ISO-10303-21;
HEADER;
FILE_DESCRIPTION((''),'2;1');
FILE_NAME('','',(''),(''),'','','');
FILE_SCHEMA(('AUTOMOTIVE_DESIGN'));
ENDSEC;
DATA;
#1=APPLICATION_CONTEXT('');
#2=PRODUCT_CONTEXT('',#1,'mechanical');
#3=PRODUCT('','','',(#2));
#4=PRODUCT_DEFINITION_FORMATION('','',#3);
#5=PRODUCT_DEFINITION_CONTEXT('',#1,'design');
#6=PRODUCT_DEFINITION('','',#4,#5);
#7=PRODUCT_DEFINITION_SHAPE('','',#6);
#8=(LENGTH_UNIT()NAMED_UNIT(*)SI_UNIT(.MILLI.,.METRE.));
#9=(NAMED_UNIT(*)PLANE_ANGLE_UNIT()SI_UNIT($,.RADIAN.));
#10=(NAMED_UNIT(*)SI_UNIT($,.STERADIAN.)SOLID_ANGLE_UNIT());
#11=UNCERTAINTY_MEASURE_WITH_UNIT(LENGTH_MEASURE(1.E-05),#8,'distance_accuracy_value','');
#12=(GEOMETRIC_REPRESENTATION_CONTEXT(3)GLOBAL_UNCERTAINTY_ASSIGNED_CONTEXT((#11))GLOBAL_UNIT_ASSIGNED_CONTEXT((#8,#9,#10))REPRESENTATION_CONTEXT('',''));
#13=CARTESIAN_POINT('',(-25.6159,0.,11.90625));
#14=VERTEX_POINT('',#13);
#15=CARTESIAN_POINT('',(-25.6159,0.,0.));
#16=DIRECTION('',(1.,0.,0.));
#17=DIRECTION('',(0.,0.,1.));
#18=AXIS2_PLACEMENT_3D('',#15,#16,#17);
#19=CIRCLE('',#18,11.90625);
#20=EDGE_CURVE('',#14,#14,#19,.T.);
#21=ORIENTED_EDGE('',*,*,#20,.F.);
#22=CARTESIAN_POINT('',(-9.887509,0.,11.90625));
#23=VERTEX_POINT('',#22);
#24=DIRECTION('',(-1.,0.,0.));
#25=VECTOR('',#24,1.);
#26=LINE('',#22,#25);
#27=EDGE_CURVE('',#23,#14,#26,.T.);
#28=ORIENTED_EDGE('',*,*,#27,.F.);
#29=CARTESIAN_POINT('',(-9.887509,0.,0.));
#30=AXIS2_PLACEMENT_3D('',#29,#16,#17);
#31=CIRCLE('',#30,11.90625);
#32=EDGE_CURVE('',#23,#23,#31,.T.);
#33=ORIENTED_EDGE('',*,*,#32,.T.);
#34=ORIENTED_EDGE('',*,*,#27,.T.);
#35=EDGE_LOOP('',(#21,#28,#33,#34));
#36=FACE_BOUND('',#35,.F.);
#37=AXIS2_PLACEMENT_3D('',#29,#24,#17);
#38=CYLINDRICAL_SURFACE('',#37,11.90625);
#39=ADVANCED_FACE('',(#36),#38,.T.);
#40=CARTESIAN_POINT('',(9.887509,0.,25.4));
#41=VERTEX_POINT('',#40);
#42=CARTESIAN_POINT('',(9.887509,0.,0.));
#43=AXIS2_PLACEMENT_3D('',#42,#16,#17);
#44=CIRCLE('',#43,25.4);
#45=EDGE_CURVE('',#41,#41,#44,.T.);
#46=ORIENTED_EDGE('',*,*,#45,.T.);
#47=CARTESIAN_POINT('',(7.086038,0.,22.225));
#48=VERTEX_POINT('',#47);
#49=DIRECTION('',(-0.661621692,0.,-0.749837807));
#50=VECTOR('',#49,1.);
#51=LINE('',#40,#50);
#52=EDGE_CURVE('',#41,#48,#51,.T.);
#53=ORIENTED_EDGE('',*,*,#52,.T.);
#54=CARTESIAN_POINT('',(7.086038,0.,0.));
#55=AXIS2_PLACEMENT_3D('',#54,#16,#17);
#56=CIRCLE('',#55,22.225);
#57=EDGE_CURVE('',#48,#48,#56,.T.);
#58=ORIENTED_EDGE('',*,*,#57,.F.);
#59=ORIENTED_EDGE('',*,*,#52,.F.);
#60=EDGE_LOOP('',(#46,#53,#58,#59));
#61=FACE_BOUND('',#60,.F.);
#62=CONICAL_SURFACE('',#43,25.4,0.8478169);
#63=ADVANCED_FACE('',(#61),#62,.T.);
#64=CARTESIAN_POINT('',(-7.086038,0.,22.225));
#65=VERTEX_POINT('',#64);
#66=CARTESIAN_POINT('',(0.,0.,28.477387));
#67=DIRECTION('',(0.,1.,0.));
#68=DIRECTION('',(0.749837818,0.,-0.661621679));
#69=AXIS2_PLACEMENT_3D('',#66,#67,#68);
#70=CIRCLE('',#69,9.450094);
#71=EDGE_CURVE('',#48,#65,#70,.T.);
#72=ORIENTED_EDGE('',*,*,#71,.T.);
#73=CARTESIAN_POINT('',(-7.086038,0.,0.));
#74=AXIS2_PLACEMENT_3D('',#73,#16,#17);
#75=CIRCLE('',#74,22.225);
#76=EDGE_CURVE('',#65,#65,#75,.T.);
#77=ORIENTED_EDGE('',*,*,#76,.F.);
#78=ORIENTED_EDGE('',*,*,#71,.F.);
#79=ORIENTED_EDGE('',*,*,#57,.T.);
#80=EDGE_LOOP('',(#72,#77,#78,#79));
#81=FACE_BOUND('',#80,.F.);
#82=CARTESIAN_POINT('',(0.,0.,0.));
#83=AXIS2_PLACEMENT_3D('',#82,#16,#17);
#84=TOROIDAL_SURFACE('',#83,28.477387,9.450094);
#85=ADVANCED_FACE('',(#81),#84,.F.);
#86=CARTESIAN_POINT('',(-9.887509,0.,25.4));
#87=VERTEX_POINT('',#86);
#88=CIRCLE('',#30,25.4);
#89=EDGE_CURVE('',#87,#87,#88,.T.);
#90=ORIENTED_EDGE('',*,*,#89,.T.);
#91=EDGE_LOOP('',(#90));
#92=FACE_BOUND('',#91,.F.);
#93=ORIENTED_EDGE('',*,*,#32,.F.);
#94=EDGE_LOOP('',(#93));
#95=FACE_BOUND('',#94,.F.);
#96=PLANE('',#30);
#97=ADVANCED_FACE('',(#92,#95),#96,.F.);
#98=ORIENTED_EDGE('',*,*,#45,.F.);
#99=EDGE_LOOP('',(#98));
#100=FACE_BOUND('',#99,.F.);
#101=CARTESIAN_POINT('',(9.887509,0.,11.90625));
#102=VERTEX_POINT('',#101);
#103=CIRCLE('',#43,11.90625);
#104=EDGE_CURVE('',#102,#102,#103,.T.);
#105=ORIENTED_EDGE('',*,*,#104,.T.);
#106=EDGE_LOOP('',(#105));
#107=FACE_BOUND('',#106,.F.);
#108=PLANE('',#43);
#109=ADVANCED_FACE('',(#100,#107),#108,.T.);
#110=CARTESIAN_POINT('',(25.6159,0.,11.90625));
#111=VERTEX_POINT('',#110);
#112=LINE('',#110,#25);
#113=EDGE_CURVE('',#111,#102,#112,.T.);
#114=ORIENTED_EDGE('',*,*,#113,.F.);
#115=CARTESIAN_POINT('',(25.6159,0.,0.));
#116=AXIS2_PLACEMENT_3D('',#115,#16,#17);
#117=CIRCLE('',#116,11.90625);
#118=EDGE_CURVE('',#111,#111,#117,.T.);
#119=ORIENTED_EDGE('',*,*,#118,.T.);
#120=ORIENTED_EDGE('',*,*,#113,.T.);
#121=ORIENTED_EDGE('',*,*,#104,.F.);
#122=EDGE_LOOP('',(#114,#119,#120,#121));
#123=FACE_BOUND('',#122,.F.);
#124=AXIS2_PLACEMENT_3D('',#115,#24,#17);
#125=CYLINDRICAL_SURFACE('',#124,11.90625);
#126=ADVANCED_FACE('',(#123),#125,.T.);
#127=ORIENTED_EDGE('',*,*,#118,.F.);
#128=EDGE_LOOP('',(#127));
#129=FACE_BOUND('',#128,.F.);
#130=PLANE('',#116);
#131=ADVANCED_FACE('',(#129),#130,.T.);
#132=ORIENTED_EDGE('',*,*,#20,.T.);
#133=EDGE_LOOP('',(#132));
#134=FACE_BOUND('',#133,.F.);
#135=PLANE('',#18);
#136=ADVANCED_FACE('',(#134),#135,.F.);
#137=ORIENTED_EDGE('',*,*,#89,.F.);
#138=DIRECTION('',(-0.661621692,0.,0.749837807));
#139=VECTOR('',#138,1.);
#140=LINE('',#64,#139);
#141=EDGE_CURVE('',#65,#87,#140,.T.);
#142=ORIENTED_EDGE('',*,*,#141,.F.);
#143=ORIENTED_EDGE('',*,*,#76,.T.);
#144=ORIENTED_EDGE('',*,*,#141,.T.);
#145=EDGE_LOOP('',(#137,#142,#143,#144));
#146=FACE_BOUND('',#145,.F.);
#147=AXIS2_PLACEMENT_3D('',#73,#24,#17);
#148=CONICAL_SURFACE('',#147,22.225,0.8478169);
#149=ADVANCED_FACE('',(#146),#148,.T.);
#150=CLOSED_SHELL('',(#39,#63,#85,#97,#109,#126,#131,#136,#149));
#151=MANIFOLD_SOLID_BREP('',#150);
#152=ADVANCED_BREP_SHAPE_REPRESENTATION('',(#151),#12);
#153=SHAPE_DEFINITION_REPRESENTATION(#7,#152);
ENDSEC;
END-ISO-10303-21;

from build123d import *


with BuildPart() as f1:
    # F0 (on Front) → F1 (revolve)
    with BuildSketch(Plane.XZ):
        with BuildLine():
            Line((25.6159, 0), (25.6159, 11.90625))
            Line((25.6159, 11.90625), (9.887509, 11.90625))
            Line((9.887509, 11.90625), (9.887509, 25.4))
            Line((9.887509, 25.4), (7.086038, 22.225))
            ThreePointArc((7.086038, 22.225), (0, 19.027293), (-7.086038, 22.225))
            Line((-7.086038, 22.225), (-9.887509, 25.4))
            Line((-9.887509, 25.4), (-9.887509, 11.90625))
            Line((-9.887509, 11.90625), (-25.6159, 11.90625))
            Line((-25.6159, 11.90625), (-25.6159, 0))
            Line((-25.6159, 0), (25.6159, 0))
        make_face()
    revolve(axis=Axis((0, 0, 0), (1, 0, 0)))


solid = f1.part
